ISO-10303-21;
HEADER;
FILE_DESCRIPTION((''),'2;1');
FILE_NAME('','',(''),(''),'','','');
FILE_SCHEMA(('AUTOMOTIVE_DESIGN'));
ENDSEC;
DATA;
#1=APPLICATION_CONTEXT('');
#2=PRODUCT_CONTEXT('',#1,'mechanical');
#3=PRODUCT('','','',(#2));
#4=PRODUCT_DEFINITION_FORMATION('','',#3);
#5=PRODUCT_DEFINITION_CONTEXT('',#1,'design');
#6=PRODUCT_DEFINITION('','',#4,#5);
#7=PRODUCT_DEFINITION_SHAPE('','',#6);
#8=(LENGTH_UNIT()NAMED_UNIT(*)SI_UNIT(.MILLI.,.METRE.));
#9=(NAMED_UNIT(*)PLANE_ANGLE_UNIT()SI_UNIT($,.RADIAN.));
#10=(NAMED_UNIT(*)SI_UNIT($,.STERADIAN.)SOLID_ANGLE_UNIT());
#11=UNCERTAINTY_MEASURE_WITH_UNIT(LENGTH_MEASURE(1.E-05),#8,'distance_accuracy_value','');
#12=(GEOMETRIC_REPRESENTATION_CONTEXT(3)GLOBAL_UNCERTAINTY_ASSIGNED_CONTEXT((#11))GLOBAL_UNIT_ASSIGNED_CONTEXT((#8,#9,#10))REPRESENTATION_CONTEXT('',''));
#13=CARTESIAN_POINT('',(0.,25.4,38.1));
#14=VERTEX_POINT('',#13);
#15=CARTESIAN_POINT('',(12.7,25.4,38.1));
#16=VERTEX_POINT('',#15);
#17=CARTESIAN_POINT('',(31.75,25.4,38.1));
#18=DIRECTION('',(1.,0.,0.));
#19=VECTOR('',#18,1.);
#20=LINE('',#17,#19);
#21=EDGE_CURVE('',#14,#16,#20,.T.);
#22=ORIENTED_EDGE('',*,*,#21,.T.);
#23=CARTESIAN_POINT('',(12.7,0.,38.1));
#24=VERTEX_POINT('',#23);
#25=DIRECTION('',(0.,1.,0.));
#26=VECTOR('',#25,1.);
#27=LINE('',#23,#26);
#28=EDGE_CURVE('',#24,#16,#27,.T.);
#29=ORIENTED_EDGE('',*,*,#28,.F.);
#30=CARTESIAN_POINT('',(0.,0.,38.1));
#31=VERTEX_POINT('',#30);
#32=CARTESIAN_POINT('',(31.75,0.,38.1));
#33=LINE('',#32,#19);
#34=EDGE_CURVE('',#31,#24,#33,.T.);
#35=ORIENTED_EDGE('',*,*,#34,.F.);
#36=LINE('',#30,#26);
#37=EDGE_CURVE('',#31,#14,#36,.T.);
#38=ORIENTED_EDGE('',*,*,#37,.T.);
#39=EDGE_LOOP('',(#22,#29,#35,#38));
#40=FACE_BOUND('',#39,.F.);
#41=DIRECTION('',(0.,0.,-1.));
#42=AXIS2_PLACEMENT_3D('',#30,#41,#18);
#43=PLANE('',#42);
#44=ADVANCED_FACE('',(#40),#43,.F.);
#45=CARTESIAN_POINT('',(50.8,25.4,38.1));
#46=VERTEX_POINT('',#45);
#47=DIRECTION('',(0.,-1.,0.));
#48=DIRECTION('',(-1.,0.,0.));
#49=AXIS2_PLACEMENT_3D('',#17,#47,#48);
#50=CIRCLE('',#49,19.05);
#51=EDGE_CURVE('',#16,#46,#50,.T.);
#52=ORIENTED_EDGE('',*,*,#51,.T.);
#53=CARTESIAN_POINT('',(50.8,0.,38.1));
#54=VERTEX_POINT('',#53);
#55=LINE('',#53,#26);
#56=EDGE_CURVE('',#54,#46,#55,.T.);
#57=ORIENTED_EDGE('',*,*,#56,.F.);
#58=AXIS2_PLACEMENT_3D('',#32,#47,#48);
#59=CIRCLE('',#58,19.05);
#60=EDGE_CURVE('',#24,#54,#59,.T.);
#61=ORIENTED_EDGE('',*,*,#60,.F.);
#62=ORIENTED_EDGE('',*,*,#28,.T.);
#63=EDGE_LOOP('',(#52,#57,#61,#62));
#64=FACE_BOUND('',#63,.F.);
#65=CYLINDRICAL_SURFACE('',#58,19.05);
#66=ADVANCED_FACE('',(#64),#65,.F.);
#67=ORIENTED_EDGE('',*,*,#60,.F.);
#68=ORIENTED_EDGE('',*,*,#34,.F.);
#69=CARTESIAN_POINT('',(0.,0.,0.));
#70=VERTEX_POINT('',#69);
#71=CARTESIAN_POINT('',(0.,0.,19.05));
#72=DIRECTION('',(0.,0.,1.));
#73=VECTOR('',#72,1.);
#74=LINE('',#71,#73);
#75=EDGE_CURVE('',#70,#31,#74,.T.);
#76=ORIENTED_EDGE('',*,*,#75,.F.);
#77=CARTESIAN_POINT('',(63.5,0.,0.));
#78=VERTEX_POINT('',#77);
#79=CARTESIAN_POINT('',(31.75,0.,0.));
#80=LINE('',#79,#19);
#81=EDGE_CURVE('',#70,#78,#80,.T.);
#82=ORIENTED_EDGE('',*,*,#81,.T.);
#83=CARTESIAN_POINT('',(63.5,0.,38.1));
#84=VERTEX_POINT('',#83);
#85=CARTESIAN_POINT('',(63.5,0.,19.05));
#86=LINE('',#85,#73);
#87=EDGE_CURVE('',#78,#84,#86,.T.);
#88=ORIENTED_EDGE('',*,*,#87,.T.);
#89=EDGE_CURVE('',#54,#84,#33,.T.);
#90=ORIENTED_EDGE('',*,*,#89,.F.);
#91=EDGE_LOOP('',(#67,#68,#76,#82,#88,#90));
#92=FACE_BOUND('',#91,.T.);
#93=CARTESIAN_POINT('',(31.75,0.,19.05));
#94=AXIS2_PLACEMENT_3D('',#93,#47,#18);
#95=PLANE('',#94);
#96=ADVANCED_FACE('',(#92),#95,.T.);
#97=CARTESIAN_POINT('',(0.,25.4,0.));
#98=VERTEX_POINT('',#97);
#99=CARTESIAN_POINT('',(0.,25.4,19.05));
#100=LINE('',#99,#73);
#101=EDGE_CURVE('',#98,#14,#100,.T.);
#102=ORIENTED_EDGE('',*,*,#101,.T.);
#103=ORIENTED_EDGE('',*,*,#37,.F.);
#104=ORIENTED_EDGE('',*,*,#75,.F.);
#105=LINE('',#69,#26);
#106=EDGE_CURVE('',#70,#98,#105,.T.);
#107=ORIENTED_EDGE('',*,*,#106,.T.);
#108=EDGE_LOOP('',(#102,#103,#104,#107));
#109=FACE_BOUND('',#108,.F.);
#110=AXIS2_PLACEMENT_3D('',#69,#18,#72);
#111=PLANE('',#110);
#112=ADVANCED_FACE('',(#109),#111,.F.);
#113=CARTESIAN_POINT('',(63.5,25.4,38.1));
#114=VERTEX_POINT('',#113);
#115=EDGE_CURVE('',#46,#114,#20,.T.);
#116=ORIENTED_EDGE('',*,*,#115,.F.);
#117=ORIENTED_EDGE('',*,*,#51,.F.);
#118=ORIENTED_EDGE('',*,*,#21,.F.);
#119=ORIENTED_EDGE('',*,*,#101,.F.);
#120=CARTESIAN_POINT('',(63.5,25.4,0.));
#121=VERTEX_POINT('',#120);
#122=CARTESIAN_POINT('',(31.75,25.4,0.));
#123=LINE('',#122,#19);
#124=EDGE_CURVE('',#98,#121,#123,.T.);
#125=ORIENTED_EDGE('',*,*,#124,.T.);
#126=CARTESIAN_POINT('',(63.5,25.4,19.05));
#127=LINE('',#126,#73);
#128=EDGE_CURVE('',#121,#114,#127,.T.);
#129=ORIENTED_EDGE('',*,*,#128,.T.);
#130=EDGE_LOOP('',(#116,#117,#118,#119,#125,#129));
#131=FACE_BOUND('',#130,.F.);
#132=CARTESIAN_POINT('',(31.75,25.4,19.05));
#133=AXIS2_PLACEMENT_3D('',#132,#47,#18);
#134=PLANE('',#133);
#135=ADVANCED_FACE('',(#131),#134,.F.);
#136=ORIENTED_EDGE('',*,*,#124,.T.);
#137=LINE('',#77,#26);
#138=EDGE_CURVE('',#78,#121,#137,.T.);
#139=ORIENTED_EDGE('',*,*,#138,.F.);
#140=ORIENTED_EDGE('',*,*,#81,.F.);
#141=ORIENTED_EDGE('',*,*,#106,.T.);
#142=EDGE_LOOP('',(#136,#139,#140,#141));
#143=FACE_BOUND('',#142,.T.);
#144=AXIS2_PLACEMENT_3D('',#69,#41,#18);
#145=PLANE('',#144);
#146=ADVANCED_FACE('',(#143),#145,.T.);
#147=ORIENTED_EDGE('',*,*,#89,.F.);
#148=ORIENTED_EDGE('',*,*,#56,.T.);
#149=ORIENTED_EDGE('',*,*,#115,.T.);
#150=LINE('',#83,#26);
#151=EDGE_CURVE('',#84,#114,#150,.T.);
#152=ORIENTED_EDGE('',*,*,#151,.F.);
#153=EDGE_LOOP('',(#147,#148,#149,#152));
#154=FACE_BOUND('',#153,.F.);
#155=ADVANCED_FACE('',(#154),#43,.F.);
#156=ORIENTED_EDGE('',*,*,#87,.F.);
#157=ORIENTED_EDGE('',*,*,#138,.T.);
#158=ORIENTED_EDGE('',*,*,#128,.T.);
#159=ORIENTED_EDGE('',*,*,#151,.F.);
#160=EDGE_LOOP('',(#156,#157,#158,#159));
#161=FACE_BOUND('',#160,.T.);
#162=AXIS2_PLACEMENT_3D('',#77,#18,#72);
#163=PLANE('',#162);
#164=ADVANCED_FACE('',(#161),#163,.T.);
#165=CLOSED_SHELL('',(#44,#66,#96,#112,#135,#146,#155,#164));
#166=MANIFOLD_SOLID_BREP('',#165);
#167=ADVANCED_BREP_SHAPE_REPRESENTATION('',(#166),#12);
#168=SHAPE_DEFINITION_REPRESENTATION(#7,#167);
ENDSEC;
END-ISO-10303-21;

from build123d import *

# Parameters (mm, degrees)
F0_W     = 63.5
F0_H     = 38.1
F1_DEPTH = 25.4
F3_DEPTH = 25.4


with BuildPart() as f1:
    # F0 (on Front) → F1 (new body)
    with BuildSketch(Plane.XZ):
        with Locations((31.75, 19.05)):
            Rectangle(F0_W, F0_H)
    extrude(amount=-F1_DEPTH)

    # F2 (on Front) → F3 (cut)
    with BuildSketch(Plane.XZ):
        with BuildLine():
            Line((50.8, 38.1), (12.7, 38.1))
            ThreePointArc((12.7, 38.1), (31.75, 19.05), (50.8, 38.1))
        make_face()
    extrude(amount=-F3_DEPTH, mode=Mode.SUBTRACT)


solid = f1.part
